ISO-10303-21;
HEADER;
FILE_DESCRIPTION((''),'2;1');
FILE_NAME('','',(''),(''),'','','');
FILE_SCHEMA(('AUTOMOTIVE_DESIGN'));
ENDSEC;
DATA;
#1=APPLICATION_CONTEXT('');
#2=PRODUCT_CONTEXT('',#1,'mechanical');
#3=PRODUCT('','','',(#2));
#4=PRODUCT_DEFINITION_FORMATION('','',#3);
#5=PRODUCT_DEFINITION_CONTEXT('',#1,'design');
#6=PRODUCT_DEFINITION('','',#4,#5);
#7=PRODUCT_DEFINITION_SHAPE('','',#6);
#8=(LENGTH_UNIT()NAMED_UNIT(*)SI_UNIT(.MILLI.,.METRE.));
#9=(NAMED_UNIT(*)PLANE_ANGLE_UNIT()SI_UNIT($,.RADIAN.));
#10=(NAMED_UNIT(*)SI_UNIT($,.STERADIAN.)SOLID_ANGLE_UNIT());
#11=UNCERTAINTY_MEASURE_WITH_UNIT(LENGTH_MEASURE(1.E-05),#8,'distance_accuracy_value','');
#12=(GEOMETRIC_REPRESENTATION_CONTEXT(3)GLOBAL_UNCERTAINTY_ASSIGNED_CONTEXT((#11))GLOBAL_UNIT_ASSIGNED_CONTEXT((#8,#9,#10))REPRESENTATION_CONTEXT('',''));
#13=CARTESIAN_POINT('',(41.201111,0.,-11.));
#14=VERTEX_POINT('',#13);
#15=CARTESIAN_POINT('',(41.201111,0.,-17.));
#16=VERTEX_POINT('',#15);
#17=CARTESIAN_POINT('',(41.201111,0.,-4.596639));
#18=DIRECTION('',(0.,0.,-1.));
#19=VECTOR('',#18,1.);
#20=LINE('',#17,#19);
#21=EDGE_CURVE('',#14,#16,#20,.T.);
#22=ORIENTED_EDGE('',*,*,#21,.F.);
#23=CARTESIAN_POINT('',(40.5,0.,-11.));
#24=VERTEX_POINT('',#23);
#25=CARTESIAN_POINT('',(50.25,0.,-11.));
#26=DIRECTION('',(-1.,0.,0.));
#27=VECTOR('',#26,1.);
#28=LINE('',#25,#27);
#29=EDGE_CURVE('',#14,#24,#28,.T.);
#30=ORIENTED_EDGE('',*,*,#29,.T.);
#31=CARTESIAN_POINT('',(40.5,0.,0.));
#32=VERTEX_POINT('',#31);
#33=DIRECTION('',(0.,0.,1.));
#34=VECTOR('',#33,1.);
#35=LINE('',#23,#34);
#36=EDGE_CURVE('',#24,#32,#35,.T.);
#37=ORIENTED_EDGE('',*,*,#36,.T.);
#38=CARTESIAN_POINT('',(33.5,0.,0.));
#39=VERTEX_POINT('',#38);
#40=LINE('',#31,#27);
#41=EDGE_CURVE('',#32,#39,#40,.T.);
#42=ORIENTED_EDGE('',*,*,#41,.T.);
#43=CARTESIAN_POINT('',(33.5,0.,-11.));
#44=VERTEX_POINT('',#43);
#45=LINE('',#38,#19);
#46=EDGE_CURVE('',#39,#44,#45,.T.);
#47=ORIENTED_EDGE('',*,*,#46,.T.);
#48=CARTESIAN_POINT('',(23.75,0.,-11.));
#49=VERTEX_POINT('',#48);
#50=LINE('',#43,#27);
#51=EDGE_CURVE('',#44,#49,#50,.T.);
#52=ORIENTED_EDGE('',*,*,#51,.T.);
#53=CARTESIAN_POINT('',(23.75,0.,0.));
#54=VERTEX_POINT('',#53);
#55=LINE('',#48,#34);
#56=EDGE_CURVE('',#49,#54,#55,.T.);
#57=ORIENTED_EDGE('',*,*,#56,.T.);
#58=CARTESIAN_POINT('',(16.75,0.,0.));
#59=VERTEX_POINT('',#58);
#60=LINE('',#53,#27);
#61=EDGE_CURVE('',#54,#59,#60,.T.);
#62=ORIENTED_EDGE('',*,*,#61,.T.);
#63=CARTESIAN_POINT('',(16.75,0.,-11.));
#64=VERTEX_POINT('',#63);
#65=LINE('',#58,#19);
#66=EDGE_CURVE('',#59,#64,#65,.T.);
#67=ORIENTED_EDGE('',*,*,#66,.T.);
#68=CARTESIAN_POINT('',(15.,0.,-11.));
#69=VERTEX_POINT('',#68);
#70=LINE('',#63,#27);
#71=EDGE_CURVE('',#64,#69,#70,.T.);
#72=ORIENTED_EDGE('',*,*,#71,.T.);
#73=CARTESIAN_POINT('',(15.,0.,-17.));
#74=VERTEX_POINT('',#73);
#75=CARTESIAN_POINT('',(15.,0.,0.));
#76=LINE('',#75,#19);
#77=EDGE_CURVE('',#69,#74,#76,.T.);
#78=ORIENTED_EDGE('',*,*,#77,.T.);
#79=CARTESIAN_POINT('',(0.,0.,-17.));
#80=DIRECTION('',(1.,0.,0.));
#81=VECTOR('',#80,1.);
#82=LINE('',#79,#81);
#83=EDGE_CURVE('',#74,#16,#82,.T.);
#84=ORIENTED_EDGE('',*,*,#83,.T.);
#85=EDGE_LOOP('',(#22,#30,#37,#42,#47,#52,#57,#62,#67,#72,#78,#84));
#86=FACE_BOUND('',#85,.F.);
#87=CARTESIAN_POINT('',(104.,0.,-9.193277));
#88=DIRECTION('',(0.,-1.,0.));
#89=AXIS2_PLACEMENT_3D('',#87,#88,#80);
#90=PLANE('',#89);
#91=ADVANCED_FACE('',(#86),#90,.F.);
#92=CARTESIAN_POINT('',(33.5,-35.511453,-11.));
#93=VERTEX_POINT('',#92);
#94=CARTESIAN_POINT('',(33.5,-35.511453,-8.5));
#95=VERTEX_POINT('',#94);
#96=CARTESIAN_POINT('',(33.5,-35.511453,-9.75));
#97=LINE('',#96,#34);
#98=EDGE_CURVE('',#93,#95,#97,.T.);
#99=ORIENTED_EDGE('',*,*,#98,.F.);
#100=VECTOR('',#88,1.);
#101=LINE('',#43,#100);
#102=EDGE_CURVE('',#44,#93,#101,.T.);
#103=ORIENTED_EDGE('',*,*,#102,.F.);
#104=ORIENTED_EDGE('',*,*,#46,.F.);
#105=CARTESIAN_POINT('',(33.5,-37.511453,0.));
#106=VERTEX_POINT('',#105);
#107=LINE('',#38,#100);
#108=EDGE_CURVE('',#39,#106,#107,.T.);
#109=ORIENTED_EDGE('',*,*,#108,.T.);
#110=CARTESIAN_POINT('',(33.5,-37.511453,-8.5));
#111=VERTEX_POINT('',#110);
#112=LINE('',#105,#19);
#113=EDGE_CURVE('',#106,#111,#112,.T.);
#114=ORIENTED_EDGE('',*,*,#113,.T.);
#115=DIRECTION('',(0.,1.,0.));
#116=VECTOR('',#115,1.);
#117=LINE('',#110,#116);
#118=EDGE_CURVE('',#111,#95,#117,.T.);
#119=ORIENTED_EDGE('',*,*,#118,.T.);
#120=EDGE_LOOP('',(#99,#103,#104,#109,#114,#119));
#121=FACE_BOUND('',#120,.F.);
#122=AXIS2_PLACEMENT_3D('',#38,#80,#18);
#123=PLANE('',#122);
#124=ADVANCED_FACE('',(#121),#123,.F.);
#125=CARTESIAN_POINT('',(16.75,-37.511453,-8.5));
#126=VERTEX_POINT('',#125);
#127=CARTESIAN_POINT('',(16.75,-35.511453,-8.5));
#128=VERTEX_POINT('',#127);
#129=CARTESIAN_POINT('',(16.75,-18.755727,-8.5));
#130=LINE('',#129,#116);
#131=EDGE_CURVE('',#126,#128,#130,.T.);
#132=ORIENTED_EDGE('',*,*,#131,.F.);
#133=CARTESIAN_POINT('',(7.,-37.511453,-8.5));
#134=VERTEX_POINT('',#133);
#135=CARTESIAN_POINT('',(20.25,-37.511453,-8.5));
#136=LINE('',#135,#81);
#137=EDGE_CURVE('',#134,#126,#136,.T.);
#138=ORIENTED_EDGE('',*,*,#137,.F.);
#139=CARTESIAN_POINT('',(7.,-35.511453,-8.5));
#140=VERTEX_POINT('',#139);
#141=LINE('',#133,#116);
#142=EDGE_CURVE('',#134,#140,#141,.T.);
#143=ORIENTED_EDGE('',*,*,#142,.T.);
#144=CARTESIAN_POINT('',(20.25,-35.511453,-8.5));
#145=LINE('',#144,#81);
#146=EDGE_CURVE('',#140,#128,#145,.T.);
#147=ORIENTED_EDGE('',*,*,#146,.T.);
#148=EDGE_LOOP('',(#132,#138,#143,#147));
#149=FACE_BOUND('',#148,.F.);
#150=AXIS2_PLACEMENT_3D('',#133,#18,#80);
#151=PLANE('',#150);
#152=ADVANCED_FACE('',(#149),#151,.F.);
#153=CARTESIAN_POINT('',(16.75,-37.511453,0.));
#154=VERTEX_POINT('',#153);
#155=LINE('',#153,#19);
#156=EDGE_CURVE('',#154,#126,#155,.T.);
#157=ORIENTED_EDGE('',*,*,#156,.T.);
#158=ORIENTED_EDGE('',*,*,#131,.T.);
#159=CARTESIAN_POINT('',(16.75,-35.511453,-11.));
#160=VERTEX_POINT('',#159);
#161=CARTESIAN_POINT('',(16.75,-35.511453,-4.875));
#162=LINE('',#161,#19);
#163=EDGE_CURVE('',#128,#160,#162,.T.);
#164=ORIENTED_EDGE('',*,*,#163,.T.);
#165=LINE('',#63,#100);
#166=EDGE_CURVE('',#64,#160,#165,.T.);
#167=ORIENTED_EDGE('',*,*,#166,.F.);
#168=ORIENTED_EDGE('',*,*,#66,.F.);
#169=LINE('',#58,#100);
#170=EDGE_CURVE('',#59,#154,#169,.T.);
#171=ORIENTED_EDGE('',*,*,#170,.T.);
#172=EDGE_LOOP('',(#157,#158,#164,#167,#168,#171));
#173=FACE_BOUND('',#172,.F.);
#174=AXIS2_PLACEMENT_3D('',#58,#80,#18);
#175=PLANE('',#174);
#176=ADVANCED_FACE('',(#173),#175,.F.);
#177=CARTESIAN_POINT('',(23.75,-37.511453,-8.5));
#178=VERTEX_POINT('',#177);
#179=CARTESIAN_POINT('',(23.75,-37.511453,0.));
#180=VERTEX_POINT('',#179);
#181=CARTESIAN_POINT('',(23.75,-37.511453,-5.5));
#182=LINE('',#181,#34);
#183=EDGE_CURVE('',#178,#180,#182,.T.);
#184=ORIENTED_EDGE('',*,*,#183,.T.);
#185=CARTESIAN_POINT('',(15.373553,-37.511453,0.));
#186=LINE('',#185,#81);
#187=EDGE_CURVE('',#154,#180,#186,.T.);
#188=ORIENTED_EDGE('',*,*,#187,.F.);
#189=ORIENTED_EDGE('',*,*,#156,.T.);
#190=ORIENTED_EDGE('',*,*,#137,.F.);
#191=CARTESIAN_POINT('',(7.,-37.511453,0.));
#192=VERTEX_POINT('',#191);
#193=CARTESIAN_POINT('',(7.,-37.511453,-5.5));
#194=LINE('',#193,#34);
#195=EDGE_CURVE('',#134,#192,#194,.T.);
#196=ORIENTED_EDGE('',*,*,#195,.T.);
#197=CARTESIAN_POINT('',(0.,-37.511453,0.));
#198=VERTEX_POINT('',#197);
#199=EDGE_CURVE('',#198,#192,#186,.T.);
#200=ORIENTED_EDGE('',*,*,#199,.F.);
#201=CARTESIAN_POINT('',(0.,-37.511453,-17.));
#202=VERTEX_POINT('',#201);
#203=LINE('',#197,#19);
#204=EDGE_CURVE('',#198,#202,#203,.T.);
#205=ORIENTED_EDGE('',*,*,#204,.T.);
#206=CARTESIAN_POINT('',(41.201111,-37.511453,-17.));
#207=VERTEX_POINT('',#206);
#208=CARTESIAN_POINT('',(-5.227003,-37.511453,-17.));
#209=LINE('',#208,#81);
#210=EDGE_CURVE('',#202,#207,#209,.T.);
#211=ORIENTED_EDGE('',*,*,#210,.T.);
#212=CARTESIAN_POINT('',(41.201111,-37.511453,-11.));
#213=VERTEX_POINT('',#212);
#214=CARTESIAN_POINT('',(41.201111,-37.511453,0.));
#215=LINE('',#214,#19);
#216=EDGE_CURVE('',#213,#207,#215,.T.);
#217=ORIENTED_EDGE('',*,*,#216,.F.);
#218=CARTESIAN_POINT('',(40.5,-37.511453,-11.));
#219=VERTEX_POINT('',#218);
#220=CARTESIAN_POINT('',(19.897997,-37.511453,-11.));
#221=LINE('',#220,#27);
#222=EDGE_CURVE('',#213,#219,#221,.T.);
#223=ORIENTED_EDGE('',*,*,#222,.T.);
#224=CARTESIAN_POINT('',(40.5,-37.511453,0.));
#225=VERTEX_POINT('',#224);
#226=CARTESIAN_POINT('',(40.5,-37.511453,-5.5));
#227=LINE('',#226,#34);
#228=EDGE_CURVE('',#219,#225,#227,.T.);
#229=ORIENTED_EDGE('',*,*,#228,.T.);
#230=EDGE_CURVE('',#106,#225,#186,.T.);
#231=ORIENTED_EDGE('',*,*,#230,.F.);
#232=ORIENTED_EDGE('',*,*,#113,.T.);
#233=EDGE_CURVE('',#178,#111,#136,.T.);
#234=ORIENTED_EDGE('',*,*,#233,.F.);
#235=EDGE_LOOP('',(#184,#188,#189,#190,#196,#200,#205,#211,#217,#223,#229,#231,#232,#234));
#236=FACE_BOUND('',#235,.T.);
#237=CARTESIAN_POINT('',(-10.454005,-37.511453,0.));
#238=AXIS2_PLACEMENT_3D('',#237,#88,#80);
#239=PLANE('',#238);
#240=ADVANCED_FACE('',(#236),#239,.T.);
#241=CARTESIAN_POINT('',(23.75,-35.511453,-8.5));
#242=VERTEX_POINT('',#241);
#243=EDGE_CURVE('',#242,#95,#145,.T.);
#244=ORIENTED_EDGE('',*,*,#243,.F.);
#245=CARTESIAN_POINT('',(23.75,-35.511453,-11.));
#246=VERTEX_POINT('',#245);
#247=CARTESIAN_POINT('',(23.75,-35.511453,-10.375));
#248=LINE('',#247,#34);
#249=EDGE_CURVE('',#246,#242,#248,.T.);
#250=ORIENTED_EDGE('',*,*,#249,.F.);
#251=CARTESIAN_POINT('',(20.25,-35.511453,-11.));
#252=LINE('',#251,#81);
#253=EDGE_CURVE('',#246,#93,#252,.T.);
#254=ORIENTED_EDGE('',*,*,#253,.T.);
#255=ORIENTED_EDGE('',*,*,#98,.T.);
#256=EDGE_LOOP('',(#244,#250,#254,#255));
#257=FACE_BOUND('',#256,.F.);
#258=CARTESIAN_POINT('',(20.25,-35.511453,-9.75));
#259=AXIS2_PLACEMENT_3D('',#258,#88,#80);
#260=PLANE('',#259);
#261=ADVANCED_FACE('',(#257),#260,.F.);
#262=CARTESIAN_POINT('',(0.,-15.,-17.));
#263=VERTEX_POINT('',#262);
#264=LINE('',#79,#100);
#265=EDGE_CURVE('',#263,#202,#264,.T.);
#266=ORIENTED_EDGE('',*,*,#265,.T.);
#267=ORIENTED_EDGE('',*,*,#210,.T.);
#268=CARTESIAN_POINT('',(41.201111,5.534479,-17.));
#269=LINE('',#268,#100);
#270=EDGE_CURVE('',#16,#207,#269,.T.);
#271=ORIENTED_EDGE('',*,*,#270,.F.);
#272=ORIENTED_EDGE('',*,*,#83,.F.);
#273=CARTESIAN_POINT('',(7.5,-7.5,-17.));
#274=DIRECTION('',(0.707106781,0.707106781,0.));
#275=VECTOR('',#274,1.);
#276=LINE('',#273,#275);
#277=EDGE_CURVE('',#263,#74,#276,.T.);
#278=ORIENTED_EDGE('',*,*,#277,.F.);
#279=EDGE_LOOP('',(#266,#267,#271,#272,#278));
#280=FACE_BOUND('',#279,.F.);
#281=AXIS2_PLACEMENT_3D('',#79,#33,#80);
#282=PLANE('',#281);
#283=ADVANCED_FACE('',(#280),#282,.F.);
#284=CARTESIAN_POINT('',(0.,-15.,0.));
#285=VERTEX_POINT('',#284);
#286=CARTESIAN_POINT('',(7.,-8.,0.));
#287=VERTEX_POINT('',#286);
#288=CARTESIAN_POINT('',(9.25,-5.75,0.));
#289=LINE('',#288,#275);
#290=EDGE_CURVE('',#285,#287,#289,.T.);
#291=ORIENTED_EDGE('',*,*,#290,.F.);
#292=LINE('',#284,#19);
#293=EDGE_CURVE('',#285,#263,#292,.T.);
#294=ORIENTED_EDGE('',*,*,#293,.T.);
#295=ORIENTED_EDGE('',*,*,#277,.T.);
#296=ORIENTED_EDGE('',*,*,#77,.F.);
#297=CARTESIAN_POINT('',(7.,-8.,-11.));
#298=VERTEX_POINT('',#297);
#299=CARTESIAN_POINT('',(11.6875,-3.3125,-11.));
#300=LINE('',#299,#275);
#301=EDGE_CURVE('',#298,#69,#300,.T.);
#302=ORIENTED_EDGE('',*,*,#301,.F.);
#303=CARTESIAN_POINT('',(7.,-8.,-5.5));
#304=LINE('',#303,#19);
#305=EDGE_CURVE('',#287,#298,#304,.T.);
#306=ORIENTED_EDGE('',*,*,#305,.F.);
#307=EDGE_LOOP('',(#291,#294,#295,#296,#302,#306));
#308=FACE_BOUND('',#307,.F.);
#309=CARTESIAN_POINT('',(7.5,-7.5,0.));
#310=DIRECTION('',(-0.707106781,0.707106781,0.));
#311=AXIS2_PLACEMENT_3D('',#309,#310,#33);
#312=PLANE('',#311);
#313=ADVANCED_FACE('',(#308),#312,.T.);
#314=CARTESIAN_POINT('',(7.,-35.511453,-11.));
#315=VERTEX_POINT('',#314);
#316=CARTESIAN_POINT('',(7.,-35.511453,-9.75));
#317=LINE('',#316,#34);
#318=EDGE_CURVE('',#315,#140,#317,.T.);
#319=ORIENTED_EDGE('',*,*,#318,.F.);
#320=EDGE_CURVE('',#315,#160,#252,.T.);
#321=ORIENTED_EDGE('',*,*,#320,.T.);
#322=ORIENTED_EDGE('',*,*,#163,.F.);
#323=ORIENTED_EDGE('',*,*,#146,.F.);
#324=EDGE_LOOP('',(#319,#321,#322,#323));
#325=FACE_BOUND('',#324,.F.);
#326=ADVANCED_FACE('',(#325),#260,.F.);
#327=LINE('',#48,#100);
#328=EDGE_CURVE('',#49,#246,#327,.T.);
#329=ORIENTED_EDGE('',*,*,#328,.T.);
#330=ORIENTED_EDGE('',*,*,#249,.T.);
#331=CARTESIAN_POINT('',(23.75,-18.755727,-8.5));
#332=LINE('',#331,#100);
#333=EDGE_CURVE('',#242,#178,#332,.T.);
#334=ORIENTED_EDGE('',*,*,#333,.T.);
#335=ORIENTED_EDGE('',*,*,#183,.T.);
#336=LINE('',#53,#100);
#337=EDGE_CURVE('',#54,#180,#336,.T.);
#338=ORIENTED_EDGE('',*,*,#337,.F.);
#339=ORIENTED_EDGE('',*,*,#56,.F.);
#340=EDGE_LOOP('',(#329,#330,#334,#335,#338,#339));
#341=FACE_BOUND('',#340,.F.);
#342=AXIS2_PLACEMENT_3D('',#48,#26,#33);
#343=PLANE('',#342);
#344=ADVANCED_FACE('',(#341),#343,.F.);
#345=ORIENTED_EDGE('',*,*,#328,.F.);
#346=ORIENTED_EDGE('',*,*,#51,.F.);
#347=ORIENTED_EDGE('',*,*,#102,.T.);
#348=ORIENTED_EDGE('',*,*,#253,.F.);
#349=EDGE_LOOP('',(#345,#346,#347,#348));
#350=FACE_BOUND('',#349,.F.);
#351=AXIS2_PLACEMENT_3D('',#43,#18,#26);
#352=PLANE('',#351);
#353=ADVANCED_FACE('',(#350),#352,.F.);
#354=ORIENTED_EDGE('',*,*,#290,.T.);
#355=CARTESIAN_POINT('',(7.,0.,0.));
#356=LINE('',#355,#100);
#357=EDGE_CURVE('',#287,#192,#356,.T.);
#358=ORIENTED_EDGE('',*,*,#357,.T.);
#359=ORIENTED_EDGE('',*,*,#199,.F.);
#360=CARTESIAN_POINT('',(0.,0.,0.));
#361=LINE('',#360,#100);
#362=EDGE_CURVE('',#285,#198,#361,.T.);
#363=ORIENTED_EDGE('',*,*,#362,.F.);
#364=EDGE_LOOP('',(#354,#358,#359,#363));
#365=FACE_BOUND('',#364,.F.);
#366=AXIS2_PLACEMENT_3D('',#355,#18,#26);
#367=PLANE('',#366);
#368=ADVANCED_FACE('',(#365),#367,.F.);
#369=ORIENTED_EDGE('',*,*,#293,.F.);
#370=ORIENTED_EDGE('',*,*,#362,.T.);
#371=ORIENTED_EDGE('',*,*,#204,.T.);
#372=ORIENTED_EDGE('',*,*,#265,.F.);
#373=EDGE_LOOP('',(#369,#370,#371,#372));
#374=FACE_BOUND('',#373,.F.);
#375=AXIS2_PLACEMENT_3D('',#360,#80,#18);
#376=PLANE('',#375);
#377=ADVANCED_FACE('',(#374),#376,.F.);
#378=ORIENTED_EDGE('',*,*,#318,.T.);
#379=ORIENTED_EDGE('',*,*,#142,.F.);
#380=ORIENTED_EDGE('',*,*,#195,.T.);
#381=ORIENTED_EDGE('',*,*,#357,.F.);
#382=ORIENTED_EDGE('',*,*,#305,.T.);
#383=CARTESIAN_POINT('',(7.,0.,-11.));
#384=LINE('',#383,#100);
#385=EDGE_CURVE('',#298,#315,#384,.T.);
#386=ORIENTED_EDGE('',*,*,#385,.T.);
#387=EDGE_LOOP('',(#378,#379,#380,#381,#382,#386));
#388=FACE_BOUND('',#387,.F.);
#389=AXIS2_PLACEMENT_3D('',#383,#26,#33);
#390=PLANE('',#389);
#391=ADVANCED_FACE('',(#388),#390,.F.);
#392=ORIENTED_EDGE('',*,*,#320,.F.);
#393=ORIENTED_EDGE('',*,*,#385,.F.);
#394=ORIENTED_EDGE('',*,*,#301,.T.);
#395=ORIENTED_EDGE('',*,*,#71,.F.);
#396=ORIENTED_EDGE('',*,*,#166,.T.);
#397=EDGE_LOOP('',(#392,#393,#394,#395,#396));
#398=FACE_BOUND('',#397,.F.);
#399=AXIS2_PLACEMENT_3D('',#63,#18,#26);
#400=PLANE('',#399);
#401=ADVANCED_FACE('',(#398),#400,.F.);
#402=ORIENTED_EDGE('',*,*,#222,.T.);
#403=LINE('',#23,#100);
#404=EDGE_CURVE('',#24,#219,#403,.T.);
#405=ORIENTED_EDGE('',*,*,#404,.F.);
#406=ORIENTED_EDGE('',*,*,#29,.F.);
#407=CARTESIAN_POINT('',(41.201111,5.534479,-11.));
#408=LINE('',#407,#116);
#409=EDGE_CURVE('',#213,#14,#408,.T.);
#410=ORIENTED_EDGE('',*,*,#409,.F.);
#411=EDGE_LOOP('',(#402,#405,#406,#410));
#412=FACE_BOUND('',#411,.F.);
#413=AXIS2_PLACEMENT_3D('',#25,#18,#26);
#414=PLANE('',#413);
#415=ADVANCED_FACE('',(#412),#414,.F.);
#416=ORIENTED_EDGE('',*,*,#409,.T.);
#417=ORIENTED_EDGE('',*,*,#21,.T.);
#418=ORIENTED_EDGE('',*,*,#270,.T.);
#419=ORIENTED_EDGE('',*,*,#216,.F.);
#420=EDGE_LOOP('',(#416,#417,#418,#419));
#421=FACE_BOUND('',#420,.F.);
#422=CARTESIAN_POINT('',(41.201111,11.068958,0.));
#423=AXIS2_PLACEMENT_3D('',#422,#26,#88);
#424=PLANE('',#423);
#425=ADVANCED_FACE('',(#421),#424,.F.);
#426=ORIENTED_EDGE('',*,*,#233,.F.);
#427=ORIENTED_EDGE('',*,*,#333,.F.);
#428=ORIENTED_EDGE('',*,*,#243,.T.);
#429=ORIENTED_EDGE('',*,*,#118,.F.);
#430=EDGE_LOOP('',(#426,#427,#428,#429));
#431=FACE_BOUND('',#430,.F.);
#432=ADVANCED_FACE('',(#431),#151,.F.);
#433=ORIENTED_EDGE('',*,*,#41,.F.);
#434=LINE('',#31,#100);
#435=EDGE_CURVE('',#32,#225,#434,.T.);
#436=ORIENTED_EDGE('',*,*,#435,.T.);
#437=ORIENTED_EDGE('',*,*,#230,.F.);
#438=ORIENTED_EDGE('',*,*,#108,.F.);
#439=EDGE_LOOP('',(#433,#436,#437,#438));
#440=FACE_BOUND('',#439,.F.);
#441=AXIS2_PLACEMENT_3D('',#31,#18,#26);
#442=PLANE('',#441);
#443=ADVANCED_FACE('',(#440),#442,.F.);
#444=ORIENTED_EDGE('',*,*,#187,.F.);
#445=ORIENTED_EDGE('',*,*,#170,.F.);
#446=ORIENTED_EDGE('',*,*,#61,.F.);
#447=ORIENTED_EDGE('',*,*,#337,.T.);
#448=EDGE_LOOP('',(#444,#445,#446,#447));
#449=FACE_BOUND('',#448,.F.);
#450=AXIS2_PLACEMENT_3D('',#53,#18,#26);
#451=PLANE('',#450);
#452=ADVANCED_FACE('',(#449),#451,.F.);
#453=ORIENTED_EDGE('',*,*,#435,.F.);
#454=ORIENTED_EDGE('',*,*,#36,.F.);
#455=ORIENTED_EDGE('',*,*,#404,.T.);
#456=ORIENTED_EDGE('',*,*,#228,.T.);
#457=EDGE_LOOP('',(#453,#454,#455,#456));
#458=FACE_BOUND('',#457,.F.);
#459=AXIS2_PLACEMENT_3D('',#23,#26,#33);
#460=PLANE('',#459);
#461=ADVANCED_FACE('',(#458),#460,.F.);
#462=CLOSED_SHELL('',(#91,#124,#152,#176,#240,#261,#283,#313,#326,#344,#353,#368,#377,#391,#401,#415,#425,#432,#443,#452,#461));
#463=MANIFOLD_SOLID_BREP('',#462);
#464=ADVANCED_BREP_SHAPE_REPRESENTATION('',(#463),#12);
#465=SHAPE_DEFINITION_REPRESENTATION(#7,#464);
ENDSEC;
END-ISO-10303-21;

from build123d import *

# Parameters (mm, degrees)
F1_DEPTH = 100
F2_SIZE2 = 15
F2_SIZE  = 15
F3_W     = 8.609191
F3_H     = 79.327516
F3_W_2   = 51.655116
F4_DEPTH = 17.001
F5_W     = 26.5
F5_H     = 2.5
F6_DEPTH = 2


with BuildPart() as f1:
    # F0 (on Front) → F1 (new body)
    with BuildSketch(Plane.XZ):
        Polygon((7, 0), (0, 0), (0, -17), (208, -17), (208, 0), (201, 0), (201, -11), (191.25, -11), (191.25, 0), (184.25, 0), (184.25, -11), (174.5, -11), (174.5, 0), (167.5, 0), (167.5, -11), (157.75, -11), (157.75, 0), (150.75, 0), (150.75, -11), (141, -11), (141, 0), (134, 0), (134, -11), (124.25, -11), (124.25, 0), (117.25, 0), (117.25, -11), (107.5, -11), (107.5, 0), (100.5, 0), (100.5, -11), (90.75, -11), (90.75, 0), (83.75, 0), (83.75, -11), (74, -11), (74, 0), (67, 0), (67, -11), (57.25, -11), (57.25, 0), (50.25, 0), (50.25, -11), (40.5, -11), (40.5, 0), (33.5, 0), (33.5, -11), (23.75, -11), (23.75, 0), (16.75, 0), (16.75, -11), (7, -11), align=None)
    extrude(amount=F1_DEPTH)

    # F2
    f2_edges = [f1.edges().sort_by_distance(p)[0] for p in [
        (0, 0, -8.5),
    ]]
    chamfer(f2_edges, length=F2_SIZE, length2=F2_SIZE2)

    # F3 (on Top) → F4 (cut, through all)
    with BuildSketch(Plane.XY):
        Polygon((214.614749, -116.838969), (214.614749, 11.068958), (41.201111, 11.068958), (41.201111, -37.511453), (49.810302, -37.511453), (49.810302, -116.838969), align=None)
        with Locations((45.505707, -77.175211)):
            Rectangle(F3_W, F3_H)
        with Locations((15.373553, -77.175211)):
            Rectangle(F3_W_2, F3_H)
    extrude(amount=-F4_DEPTH, mode=Mode.SUBTRACT)

    # F5 (on face) → F6 (join)
    with BuildSketch(Plane.XZ.offset(37.511453)):
        with Locations((20.25, -9.75)):
            Rectangle(F5_W, F5_H)
    extrude(amount=-F6_DEPTH)


solid = f1.part
